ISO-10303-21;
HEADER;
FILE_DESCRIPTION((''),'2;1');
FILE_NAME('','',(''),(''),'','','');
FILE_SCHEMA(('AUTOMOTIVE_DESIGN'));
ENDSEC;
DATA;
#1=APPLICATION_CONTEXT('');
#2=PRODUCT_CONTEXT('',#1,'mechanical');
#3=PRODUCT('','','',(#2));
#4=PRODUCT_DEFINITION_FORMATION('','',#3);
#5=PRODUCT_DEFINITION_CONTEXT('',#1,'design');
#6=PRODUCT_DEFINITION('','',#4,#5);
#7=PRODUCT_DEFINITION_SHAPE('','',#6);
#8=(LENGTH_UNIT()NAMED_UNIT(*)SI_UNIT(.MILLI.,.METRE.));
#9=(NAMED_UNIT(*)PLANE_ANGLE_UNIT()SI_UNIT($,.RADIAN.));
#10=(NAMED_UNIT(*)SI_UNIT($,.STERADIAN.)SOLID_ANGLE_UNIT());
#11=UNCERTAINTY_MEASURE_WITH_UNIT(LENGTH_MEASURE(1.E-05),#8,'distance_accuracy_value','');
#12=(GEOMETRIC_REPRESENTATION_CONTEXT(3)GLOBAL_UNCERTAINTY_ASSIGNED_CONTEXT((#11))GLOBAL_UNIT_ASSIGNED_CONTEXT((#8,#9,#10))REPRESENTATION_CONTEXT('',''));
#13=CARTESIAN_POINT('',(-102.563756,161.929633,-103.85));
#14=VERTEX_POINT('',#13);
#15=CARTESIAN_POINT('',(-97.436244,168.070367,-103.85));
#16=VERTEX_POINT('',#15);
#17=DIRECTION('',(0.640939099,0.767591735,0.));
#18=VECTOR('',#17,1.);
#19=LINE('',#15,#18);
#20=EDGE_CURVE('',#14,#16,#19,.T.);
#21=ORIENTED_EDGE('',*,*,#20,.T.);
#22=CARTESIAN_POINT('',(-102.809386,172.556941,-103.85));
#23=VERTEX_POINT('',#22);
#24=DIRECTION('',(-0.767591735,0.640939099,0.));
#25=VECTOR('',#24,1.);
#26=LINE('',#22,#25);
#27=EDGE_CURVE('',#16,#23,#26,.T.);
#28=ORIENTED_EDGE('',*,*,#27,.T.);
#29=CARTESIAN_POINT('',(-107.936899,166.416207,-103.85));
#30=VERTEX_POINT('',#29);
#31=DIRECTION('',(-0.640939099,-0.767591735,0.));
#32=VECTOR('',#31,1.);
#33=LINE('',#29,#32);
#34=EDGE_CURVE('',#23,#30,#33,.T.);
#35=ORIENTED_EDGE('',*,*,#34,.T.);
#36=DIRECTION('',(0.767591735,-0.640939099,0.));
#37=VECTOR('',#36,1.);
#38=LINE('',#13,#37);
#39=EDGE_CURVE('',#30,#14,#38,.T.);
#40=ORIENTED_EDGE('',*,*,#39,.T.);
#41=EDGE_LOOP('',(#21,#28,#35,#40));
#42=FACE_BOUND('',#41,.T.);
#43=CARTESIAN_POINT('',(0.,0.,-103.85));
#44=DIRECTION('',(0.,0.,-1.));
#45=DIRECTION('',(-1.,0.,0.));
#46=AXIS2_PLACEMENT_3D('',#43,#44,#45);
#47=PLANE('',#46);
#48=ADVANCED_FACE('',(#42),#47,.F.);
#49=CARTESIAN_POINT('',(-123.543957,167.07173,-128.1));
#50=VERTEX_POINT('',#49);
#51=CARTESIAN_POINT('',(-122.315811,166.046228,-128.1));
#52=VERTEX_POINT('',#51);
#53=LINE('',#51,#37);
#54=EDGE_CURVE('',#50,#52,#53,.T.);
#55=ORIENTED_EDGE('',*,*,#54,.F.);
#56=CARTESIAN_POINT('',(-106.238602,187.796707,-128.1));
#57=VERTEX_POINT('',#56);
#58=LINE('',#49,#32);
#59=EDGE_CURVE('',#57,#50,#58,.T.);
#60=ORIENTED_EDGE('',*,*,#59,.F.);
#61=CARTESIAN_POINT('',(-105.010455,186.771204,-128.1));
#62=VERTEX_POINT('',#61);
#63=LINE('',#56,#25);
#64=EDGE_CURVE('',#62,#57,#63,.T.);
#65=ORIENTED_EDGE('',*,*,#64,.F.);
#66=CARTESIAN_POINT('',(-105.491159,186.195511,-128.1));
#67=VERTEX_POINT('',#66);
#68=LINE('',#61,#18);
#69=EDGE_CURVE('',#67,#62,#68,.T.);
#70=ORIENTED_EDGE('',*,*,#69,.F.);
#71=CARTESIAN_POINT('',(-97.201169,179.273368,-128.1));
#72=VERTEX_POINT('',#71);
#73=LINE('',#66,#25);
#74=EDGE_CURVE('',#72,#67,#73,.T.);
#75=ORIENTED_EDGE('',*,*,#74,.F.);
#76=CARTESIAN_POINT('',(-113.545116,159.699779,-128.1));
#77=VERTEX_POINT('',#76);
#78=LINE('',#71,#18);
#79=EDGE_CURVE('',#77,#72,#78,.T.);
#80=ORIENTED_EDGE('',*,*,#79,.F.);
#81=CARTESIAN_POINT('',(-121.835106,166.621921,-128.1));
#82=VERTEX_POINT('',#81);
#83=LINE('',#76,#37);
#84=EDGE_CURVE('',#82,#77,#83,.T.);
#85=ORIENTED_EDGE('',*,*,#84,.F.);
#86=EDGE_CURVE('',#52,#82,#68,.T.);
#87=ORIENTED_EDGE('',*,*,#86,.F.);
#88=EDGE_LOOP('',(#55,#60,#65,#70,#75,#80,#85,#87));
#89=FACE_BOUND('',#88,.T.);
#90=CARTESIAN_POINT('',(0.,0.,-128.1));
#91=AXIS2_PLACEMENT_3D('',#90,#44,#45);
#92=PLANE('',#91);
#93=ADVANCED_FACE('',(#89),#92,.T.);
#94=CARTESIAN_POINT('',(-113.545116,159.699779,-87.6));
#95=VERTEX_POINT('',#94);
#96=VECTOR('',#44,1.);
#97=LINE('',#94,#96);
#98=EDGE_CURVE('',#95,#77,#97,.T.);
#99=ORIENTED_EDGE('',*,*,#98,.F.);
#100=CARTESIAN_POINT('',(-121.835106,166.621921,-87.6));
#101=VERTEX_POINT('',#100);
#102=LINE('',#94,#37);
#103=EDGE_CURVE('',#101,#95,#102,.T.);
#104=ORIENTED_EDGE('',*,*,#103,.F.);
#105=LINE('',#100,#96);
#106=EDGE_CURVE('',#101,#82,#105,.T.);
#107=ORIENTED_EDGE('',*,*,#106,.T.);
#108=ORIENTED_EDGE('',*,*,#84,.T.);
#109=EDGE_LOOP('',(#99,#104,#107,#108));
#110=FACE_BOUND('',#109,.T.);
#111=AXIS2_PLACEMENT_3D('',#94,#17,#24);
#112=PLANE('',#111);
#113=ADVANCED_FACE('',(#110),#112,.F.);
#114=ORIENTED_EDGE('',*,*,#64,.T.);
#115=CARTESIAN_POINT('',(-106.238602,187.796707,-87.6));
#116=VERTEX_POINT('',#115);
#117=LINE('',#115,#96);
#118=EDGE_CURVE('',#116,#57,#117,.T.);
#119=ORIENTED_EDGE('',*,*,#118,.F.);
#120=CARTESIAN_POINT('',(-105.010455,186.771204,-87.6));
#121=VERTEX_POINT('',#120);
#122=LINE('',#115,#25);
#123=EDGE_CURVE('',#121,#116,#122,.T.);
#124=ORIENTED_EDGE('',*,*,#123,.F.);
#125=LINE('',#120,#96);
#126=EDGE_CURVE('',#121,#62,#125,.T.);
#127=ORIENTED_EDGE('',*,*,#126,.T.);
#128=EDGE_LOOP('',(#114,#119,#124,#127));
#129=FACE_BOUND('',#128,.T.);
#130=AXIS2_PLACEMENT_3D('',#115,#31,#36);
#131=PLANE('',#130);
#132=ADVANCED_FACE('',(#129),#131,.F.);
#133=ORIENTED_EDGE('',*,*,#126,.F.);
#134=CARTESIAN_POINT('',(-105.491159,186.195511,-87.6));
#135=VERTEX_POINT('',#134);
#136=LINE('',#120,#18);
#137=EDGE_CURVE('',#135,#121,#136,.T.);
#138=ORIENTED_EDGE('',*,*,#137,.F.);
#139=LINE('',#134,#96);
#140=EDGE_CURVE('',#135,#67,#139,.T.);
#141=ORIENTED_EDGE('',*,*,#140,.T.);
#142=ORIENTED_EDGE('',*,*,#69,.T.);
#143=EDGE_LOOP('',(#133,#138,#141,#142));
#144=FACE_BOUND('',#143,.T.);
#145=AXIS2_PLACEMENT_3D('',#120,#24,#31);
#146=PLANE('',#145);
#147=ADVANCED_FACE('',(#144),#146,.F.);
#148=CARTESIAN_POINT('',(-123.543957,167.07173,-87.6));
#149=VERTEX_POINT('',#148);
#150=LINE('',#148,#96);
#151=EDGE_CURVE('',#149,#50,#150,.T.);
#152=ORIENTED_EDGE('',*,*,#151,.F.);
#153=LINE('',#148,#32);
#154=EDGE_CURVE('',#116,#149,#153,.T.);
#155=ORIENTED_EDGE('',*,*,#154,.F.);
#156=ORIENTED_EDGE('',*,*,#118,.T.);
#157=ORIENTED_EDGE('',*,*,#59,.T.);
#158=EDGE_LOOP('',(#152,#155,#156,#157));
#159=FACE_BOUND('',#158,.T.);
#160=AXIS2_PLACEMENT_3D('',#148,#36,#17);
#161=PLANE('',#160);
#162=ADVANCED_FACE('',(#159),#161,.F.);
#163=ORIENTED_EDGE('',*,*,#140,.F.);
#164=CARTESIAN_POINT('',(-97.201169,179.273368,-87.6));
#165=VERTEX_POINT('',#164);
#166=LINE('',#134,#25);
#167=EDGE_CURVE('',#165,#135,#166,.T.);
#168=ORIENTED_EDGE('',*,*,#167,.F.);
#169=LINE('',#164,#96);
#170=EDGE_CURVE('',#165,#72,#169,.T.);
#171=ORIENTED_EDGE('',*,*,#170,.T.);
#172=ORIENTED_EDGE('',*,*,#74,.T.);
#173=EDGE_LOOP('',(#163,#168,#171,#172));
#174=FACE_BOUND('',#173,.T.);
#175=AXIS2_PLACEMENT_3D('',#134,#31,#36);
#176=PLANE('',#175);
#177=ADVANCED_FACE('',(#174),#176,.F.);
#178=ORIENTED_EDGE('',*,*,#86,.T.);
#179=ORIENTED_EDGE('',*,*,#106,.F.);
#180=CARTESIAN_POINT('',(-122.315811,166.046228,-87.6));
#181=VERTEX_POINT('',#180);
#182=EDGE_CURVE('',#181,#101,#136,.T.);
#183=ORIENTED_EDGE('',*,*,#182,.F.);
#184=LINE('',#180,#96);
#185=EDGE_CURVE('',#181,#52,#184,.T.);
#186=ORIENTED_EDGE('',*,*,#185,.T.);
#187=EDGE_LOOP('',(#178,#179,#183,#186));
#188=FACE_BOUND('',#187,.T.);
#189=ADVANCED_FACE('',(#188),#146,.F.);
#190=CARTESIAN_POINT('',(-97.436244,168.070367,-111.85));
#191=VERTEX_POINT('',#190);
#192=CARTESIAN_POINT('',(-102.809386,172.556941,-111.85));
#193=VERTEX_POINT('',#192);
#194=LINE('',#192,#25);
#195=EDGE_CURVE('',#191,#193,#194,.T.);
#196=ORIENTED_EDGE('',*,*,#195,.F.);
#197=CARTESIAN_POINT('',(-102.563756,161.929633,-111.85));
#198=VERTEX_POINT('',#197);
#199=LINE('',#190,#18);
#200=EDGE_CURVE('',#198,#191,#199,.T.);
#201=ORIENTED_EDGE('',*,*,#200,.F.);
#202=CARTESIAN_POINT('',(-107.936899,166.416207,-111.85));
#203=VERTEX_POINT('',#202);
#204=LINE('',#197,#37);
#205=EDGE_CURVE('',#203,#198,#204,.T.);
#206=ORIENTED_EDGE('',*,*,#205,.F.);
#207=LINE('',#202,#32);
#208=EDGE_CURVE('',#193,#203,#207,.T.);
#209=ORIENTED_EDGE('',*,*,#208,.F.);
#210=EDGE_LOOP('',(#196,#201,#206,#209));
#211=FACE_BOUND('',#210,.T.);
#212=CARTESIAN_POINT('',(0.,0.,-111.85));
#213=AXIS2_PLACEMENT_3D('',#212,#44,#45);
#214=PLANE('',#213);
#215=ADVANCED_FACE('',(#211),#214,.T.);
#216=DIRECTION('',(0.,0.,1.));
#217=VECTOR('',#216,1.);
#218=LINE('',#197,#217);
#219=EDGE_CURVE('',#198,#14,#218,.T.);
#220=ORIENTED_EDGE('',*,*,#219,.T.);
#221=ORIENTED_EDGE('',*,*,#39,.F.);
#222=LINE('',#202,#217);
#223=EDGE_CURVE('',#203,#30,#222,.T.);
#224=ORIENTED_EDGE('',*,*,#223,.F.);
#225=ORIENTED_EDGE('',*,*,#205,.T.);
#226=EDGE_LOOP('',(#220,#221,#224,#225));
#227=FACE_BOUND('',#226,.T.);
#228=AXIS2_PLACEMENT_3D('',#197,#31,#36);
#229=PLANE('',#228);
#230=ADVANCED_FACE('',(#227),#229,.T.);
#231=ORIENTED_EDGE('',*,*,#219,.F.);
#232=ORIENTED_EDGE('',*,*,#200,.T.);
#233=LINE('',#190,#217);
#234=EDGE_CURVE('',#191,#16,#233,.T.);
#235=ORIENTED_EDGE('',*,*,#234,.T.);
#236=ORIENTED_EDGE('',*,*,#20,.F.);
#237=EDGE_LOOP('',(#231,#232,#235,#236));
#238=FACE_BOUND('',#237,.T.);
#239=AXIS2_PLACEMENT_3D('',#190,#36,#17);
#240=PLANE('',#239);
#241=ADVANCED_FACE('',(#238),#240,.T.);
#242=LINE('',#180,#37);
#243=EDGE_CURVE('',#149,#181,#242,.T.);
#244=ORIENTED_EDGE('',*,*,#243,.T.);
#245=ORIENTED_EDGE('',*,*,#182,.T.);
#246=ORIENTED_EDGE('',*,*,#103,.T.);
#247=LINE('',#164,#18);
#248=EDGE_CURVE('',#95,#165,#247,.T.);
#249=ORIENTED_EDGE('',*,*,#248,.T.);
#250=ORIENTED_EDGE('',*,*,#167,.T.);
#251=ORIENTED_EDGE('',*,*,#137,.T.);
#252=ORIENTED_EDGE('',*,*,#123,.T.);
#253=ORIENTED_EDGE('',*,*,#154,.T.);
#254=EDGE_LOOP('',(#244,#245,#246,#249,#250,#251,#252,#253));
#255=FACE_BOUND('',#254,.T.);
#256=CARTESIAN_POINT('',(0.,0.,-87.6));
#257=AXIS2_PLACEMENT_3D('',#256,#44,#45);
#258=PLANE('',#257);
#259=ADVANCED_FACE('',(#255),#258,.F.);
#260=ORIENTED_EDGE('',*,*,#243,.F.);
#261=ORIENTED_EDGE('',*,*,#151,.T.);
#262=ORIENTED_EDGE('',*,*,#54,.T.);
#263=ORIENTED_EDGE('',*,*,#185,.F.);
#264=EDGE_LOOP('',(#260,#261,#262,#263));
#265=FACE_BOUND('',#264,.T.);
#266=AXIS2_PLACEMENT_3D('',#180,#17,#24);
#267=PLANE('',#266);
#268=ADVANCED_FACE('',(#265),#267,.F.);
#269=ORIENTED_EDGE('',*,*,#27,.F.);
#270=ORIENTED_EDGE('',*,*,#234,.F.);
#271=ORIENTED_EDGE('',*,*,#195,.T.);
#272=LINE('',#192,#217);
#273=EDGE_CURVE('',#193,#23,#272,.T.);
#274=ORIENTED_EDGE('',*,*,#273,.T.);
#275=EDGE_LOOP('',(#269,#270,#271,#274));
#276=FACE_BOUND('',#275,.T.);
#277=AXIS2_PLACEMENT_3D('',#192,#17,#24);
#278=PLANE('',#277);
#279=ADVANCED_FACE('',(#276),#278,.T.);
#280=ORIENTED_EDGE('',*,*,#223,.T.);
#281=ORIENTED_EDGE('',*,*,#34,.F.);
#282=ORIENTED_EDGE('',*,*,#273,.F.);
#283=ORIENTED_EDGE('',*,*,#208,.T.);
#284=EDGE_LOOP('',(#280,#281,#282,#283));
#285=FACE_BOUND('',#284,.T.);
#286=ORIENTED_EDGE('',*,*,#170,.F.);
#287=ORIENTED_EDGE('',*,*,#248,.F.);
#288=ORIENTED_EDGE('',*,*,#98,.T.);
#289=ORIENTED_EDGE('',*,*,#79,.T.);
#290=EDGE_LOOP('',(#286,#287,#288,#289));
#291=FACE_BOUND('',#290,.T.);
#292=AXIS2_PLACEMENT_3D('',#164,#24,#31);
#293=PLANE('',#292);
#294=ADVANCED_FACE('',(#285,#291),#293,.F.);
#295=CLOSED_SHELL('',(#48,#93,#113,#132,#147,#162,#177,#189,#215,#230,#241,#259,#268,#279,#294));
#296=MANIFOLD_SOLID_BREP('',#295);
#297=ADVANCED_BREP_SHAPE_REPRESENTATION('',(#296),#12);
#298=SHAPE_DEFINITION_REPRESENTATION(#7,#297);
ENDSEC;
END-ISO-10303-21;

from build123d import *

# Parameters (mm, degrees)
MB_DEPTH    = 40.5
CAM_DEPTH   = 40.5
LENTE_DEPTH = 8


with BuildPart() as part:
    # Croquis_mb → MB (new body)
    with BuildSketch(Plane.XY.offset(-128.1)):
        Polygon((-123.543957493, 167.071730093), (-106.238601826, 187.796706939), (-105.01045505, 186.771204381), (-122.315810717, 166.046227535), align=None)
    extrude(amount=MB_DEPTH)

    # Croquis_cam → CAM (add)
    with BuildSketch(Plane.XY.offset(-128.1)):
        Polygon((-121.835106393, 166.621921336), (-105.491159374, 186.195510579), (-97.201168636, 179.273368313), (-113.545115654, 159.69977907), align=None)
    extrude(amount=CAM_DEPTH)

    # Croquis_lente → Lente (add)
    with BuildSketch(Plane.XY.offset(-103.85)):
        Polygon((-107.93689854, 166.416206751), (-102.80938575, 172.556940631), (-97.436243605, 168.07036694), (-102.563756395, 161.92963306), align=None)
    extrude(amount=-LENTE_DEPTH)


solid = part.part
